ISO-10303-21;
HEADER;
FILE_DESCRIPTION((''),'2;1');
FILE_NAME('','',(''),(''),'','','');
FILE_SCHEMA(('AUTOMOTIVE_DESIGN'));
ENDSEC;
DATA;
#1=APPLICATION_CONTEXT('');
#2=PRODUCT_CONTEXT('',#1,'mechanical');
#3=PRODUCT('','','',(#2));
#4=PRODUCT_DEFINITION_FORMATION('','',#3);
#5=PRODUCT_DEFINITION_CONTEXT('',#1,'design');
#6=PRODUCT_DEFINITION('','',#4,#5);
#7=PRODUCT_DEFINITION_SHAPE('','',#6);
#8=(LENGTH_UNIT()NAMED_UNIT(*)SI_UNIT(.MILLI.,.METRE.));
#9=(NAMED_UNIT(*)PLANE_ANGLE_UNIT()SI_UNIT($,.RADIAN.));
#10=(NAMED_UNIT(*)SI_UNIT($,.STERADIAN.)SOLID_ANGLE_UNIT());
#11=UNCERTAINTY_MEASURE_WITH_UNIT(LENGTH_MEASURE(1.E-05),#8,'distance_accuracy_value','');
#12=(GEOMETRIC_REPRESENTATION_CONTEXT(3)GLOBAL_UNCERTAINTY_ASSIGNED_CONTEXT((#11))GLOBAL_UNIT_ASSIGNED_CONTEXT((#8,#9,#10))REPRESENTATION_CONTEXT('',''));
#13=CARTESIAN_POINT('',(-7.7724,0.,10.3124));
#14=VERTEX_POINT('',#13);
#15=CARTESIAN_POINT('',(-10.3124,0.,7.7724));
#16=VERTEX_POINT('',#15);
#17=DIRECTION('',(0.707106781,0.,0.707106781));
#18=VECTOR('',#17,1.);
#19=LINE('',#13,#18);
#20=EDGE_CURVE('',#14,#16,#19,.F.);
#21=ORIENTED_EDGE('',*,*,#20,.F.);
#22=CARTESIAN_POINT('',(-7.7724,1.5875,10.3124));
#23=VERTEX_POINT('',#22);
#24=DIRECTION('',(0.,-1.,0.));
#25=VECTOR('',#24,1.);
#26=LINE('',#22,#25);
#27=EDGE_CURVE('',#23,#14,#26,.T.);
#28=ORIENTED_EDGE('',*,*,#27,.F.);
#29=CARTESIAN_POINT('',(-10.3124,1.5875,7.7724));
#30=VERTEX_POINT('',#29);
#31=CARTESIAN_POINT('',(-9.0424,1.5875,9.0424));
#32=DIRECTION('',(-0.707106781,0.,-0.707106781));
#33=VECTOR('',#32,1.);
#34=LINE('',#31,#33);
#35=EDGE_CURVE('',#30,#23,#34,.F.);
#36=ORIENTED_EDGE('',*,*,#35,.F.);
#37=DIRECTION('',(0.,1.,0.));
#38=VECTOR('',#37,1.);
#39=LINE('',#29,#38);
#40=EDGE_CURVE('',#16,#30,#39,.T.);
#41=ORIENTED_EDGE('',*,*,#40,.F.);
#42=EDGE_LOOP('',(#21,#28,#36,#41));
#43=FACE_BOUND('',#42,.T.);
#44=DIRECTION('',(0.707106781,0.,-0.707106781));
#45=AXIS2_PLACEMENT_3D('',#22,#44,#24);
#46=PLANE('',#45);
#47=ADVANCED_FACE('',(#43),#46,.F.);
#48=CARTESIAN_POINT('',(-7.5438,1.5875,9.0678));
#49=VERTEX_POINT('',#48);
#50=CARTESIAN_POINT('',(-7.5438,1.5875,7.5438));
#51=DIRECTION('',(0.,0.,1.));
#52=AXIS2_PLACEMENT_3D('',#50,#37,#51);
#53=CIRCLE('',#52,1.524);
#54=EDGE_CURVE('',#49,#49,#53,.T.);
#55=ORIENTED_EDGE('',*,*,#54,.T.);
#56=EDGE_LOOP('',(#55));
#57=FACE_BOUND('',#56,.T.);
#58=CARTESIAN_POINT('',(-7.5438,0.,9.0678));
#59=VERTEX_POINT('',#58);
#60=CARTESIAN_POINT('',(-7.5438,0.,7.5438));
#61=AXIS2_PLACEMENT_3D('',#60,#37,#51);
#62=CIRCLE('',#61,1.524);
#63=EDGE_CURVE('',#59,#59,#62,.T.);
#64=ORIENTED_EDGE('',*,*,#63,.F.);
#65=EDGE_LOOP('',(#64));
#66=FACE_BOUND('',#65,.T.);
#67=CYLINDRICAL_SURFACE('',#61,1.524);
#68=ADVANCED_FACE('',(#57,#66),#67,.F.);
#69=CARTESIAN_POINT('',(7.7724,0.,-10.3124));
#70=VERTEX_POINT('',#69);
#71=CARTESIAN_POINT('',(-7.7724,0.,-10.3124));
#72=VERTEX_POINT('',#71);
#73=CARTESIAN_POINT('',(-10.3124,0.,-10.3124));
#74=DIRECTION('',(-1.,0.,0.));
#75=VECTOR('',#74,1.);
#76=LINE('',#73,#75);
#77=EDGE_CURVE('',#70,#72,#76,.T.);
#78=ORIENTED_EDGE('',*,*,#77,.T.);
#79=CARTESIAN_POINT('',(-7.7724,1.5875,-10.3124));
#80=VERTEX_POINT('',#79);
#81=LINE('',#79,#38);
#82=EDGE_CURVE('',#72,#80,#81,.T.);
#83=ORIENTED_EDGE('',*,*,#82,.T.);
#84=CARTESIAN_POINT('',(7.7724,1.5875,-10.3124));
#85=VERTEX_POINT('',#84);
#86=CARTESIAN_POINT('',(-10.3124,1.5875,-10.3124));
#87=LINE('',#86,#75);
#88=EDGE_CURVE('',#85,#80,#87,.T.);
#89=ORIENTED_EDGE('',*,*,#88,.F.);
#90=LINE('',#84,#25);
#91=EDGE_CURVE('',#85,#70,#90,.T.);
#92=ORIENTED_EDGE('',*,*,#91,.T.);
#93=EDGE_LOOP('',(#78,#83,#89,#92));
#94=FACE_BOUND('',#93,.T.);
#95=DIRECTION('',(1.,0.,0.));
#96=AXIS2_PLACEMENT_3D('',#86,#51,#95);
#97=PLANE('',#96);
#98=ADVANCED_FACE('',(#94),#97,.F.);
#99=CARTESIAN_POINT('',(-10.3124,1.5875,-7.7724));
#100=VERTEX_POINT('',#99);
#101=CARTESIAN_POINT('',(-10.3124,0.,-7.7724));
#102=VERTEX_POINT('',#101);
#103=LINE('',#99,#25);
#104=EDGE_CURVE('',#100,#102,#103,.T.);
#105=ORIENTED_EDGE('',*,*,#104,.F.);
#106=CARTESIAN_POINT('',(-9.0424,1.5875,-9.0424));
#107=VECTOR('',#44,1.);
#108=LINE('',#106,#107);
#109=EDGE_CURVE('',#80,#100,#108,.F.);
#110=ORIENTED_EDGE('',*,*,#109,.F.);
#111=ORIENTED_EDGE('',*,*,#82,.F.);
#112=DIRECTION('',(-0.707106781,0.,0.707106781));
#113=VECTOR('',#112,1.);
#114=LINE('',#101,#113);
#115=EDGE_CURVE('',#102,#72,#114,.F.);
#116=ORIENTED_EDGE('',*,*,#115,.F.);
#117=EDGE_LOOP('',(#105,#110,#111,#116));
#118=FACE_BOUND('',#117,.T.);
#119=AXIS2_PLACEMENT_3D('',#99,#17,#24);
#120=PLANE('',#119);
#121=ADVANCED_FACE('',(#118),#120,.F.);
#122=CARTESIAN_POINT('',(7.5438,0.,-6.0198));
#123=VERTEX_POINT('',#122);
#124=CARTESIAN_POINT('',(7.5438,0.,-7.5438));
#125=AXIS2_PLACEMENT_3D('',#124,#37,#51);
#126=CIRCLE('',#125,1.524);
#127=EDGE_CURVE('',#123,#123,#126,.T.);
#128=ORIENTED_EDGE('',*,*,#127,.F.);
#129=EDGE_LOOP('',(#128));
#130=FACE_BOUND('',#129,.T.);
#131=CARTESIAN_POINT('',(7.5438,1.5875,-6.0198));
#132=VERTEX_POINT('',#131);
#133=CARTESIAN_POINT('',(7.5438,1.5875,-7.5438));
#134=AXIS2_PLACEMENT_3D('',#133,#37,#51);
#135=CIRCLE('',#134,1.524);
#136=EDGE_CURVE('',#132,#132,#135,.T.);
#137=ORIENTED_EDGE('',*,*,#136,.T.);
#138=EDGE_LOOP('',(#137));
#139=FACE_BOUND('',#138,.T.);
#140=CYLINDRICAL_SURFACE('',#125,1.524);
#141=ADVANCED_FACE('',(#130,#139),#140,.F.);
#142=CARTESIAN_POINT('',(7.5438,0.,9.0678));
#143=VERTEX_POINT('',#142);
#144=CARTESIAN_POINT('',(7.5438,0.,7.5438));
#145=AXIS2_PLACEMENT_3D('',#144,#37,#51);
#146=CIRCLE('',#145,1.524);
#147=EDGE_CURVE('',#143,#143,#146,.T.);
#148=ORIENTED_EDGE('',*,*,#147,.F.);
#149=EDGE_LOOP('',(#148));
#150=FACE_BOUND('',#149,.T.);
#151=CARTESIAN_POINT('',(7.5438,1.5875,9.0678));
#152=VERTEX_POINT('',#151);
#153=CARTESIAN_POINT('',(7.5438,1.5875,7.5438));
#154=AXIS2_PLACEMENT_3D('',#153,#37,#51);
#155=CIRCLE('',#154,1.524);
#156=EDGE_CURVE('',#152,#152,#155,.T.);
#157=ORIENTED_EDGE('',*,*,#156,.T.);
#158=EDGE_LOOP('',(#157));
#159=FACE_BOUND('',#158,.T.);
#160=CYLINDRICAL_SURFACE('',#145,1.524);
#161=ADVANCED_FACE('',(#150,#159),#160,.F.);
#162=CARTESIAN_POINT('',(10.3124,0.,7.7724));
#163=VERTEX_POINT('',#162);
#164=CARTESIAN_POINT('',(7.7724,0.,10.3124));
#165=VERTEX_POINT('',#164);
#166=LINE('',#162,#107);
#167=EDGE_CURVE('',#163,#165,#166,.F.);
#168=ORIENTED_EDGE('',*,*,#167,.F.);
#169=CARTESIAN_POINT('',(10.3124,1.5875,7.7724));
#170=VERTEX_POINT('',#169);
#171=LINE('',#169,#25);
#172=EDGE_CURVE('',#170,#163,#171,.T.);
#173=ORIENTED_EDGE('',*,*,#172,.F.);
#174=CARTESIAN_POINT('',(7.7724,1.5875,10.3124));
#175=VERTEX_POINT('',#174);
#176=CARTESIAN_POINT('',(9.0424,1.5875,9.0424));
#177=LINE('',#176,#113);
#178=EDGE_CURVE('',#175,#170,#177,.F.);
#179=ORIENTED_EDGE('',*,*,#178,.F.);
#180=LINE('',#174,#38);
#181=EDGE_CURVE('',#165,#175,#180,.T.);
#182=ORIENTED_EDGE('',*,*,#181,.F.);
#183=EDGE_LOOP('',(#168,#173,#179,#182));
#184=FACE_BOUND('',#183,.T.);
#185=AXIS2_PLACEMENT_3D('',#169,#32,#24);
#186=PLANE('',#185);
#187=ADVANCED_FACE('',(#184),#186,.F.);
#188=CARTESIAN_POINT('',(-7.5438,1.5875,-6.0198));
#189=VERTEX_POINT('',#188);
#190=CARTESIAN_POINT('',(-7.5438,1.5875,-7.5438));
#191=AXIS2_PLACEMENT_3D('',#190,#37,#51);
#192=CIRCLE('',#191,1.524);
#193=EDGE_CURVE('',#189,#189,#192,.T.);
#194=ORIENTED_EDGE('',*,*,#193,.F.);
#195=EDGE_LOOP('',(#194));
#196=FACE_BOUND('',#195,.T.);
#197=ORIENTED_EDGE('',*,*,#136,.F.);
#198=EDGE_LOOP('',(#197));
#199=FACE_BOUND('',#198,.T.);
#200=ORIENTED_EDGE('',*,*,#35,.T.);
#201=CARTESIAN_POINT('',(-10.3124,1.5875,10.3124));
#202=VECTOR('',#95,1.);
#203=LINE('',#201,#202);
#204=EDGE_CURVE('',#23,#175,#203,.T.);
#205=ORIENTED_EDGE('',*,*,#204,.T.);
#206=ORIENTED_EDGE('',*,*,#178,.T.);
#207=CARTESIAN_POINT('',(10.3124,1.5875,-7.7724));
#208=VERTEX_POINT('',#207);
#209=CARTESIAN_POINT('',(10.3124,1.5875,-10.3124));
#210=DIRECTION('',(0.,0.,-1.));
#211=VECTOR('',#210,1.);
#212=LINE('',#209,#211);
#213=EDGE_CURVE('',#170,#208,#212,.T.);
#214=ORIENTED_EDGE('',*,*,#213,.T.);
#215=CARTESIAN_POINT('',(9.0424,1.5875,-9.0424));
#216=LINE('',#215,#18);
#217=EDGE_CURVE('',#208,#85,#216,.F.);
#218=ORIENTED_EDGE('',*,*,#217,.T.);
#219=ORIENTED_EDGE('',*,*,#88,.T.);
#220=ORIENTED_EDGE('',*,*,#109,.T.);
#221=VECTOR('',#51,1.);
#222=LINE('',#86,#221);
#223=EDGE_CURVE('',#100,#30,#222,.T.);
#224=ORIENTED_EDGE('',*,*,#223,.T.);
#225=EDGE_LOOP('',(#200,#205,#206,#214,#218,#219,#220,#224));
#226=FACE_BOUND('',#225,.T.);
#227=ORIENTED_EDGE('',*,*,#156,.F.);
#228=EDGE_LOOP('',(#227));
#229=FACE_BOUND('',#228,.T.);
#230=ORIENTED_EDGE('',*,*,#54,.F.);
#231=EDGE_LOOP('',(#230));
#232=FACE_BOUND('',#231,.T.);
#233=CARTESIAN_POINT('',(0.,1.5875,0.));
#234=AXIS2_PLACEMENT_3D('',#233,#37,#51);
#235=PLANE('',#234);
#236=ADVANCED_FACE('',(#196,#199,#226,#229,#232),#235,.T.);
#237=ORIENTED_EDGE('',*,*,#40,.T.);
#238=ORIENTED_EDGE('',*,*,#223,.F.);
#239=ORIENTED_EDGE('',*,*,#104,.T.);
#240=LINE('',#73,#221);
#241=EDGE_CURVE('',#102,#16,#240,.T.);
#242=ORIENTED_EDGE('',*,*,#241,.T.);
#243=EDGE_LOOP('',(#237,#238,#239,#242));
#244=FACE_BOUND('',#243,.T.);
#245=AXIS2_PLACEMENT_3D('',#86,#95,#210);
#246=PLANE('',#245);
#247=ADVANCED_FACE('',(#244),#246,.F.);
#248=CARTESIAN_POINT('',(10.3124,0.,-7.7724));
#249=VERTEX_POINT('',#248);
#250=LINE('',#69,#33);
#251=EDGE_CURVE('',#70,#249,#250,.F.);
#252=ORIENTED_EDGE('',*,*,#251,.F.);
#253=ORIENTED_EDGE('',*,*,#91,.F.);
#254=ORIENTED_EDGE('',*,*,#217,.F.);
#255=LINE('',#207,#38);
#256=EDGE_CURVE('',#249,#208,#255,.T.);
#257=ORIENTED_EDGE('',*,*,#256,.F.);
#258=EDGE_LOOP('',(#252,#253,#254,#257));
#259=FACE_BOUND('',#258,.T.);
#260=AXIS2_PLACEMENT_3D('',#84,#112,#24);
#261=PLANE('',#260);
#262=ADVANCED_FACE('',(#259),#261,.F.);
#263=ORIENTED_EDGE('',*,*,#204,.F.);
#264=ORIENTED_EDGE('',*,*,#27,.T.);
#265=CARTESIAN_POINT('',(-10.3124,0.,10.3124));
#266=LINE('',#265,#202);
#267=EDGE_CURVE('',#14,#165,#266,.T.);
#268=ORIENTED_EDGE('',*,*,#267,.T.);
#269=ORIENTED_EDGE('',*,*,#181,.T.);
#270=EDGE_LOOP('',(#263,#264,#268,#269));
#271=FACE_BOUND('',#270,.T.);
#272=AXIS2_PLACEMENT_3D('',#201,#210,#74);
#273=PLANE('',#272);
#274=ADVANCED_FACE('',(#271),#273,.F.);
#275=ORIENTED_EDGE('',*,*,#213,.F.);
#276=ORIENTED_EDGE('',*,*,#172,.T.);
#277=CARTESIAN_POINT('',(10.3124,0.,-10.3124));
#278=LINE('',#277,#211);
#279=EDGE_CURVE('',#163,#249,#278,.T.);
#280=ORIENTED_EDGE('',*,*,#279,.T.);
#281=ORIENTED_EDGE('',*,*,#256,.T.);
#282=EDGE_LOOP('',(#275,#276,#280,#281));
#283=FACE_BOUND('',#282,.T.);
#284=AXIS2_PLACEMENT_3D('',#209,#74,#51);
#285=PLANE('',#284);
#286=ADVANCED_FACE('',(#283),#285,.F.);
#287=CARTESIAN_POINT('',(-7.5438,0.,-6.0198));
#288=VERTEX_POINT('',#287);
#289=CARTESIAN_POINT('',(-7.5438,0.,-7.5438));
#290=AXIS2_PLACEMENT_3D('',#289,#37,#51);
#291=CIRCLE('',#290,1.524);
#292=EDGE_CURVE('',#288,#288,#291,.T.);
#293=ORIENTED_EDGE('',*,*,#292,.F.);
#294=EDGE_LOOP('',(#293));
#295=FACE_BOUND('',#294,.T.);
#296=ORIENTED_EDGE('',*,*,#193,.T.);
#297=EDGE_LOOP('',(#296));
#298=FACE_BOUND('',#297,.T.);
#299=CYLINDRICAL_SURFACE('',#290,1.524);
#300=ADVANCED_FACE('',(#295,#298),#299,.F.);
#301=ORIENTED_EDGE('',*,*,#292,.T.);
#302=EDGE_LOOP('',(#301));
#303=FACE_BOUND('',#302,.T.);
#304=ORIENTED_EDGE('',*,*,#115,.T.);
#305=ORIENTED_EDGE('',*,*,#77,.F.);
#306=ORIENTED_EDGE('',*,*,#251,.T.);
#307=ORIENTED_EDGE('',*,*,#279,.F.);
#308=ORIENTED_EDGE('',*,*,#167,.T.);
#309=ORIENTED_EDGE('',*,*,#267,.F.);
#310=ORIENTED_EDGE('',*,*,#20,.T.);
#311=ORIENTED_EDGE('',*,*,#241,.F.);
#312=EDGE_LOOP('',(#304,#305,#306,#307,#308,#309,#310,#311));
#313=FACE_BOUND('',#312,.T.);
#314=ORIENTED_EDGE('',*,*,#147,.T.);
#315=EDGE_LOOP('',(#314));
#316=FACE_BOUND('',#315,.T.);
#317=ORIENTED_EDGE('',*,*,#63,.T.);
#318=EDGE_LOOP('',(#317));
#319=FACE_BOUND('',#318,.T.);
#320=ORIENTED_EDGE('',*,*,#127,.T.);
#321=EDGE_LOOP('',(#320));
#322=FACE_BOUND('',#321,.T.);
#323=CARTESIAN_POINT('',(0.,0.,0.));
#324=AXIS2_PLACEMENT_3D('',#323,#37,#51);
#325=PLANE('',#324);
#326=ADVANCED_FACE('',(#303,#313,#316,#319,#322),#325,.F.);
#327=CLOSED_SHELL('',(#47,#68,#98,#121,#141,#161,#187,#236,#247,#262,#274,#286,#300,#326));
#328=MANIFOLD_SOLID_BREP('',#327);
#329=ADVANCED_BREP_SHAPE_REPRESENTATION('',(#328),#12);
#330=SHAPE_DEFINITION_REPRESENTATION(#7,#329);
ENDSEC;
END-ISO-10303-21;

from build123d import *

# Parameters (mm, degrees)
SKETCH1_W           = 20.6248
SKETCH1_H           = 20.6248
BOSS_EXTRUDE1_DEPTH = 1.5875
CHAMFER1_SIZE       = 2.54
SKETCH2_R           = 1.524
CUT_EXTRUDE1_DEPTH  = 15.670083291


with BuildPart() as part:
    # Sketch1 → Boss-Extrude1 (new body)
    with BuildSketch(Plane(origin=(0, 0, 0), x_dir=(1, 0, 0), z_dir=(0, 1, 0))):
        Rectangle(SKETCH1_W, SKETCH1_H)
    extrude(amount=BOSS_EXTRUDE1_DEPTH)

    # Chamfer1
    chamfer1_edges = [part.edges().sort_by_distance(p)[0] for p in [
        (10.3124, 0.79375, 10.3124),
        (-10.3124, 0.79375, 10.3124),
        (-10.3124, 0.79375, -10.3124),
        (10.3124, 0.79375, -10.3124),
    ]]
    chamfer(chamfer1_edges, length=CHAMFER1_SIZE)

    # Sketch2 → Cut-Extrude1 (cut, through all)
    with BuildSketch(Plane(origin=(0, 1.5875, 0), x_dir=(1, 0, 0), z_dir=(0, 1, 0))):
        with Locations(Location((-7.5438, 7.5438, 0), (0, 0, 270))):
            Circle(SKETCH2_R)
        with Locations(Location((7.5438, 7.5438, 0), (0, 0, 270))):
            Circle(SKETCH2_R)
        with Locations(Location((7.5438, -7.5438, 0), (0, 0, 270))):
            Circle(SKETCH2_R)
        with Locations(Location((-7.5438, -7.5438, 0), (0, 0, 270))):
            Circle(SKETCH2_R)
    extrude(amount=-CUT_EXTRUDE1_DEPTH, mode=Mode.SUBTRACT)


solid = part.part
